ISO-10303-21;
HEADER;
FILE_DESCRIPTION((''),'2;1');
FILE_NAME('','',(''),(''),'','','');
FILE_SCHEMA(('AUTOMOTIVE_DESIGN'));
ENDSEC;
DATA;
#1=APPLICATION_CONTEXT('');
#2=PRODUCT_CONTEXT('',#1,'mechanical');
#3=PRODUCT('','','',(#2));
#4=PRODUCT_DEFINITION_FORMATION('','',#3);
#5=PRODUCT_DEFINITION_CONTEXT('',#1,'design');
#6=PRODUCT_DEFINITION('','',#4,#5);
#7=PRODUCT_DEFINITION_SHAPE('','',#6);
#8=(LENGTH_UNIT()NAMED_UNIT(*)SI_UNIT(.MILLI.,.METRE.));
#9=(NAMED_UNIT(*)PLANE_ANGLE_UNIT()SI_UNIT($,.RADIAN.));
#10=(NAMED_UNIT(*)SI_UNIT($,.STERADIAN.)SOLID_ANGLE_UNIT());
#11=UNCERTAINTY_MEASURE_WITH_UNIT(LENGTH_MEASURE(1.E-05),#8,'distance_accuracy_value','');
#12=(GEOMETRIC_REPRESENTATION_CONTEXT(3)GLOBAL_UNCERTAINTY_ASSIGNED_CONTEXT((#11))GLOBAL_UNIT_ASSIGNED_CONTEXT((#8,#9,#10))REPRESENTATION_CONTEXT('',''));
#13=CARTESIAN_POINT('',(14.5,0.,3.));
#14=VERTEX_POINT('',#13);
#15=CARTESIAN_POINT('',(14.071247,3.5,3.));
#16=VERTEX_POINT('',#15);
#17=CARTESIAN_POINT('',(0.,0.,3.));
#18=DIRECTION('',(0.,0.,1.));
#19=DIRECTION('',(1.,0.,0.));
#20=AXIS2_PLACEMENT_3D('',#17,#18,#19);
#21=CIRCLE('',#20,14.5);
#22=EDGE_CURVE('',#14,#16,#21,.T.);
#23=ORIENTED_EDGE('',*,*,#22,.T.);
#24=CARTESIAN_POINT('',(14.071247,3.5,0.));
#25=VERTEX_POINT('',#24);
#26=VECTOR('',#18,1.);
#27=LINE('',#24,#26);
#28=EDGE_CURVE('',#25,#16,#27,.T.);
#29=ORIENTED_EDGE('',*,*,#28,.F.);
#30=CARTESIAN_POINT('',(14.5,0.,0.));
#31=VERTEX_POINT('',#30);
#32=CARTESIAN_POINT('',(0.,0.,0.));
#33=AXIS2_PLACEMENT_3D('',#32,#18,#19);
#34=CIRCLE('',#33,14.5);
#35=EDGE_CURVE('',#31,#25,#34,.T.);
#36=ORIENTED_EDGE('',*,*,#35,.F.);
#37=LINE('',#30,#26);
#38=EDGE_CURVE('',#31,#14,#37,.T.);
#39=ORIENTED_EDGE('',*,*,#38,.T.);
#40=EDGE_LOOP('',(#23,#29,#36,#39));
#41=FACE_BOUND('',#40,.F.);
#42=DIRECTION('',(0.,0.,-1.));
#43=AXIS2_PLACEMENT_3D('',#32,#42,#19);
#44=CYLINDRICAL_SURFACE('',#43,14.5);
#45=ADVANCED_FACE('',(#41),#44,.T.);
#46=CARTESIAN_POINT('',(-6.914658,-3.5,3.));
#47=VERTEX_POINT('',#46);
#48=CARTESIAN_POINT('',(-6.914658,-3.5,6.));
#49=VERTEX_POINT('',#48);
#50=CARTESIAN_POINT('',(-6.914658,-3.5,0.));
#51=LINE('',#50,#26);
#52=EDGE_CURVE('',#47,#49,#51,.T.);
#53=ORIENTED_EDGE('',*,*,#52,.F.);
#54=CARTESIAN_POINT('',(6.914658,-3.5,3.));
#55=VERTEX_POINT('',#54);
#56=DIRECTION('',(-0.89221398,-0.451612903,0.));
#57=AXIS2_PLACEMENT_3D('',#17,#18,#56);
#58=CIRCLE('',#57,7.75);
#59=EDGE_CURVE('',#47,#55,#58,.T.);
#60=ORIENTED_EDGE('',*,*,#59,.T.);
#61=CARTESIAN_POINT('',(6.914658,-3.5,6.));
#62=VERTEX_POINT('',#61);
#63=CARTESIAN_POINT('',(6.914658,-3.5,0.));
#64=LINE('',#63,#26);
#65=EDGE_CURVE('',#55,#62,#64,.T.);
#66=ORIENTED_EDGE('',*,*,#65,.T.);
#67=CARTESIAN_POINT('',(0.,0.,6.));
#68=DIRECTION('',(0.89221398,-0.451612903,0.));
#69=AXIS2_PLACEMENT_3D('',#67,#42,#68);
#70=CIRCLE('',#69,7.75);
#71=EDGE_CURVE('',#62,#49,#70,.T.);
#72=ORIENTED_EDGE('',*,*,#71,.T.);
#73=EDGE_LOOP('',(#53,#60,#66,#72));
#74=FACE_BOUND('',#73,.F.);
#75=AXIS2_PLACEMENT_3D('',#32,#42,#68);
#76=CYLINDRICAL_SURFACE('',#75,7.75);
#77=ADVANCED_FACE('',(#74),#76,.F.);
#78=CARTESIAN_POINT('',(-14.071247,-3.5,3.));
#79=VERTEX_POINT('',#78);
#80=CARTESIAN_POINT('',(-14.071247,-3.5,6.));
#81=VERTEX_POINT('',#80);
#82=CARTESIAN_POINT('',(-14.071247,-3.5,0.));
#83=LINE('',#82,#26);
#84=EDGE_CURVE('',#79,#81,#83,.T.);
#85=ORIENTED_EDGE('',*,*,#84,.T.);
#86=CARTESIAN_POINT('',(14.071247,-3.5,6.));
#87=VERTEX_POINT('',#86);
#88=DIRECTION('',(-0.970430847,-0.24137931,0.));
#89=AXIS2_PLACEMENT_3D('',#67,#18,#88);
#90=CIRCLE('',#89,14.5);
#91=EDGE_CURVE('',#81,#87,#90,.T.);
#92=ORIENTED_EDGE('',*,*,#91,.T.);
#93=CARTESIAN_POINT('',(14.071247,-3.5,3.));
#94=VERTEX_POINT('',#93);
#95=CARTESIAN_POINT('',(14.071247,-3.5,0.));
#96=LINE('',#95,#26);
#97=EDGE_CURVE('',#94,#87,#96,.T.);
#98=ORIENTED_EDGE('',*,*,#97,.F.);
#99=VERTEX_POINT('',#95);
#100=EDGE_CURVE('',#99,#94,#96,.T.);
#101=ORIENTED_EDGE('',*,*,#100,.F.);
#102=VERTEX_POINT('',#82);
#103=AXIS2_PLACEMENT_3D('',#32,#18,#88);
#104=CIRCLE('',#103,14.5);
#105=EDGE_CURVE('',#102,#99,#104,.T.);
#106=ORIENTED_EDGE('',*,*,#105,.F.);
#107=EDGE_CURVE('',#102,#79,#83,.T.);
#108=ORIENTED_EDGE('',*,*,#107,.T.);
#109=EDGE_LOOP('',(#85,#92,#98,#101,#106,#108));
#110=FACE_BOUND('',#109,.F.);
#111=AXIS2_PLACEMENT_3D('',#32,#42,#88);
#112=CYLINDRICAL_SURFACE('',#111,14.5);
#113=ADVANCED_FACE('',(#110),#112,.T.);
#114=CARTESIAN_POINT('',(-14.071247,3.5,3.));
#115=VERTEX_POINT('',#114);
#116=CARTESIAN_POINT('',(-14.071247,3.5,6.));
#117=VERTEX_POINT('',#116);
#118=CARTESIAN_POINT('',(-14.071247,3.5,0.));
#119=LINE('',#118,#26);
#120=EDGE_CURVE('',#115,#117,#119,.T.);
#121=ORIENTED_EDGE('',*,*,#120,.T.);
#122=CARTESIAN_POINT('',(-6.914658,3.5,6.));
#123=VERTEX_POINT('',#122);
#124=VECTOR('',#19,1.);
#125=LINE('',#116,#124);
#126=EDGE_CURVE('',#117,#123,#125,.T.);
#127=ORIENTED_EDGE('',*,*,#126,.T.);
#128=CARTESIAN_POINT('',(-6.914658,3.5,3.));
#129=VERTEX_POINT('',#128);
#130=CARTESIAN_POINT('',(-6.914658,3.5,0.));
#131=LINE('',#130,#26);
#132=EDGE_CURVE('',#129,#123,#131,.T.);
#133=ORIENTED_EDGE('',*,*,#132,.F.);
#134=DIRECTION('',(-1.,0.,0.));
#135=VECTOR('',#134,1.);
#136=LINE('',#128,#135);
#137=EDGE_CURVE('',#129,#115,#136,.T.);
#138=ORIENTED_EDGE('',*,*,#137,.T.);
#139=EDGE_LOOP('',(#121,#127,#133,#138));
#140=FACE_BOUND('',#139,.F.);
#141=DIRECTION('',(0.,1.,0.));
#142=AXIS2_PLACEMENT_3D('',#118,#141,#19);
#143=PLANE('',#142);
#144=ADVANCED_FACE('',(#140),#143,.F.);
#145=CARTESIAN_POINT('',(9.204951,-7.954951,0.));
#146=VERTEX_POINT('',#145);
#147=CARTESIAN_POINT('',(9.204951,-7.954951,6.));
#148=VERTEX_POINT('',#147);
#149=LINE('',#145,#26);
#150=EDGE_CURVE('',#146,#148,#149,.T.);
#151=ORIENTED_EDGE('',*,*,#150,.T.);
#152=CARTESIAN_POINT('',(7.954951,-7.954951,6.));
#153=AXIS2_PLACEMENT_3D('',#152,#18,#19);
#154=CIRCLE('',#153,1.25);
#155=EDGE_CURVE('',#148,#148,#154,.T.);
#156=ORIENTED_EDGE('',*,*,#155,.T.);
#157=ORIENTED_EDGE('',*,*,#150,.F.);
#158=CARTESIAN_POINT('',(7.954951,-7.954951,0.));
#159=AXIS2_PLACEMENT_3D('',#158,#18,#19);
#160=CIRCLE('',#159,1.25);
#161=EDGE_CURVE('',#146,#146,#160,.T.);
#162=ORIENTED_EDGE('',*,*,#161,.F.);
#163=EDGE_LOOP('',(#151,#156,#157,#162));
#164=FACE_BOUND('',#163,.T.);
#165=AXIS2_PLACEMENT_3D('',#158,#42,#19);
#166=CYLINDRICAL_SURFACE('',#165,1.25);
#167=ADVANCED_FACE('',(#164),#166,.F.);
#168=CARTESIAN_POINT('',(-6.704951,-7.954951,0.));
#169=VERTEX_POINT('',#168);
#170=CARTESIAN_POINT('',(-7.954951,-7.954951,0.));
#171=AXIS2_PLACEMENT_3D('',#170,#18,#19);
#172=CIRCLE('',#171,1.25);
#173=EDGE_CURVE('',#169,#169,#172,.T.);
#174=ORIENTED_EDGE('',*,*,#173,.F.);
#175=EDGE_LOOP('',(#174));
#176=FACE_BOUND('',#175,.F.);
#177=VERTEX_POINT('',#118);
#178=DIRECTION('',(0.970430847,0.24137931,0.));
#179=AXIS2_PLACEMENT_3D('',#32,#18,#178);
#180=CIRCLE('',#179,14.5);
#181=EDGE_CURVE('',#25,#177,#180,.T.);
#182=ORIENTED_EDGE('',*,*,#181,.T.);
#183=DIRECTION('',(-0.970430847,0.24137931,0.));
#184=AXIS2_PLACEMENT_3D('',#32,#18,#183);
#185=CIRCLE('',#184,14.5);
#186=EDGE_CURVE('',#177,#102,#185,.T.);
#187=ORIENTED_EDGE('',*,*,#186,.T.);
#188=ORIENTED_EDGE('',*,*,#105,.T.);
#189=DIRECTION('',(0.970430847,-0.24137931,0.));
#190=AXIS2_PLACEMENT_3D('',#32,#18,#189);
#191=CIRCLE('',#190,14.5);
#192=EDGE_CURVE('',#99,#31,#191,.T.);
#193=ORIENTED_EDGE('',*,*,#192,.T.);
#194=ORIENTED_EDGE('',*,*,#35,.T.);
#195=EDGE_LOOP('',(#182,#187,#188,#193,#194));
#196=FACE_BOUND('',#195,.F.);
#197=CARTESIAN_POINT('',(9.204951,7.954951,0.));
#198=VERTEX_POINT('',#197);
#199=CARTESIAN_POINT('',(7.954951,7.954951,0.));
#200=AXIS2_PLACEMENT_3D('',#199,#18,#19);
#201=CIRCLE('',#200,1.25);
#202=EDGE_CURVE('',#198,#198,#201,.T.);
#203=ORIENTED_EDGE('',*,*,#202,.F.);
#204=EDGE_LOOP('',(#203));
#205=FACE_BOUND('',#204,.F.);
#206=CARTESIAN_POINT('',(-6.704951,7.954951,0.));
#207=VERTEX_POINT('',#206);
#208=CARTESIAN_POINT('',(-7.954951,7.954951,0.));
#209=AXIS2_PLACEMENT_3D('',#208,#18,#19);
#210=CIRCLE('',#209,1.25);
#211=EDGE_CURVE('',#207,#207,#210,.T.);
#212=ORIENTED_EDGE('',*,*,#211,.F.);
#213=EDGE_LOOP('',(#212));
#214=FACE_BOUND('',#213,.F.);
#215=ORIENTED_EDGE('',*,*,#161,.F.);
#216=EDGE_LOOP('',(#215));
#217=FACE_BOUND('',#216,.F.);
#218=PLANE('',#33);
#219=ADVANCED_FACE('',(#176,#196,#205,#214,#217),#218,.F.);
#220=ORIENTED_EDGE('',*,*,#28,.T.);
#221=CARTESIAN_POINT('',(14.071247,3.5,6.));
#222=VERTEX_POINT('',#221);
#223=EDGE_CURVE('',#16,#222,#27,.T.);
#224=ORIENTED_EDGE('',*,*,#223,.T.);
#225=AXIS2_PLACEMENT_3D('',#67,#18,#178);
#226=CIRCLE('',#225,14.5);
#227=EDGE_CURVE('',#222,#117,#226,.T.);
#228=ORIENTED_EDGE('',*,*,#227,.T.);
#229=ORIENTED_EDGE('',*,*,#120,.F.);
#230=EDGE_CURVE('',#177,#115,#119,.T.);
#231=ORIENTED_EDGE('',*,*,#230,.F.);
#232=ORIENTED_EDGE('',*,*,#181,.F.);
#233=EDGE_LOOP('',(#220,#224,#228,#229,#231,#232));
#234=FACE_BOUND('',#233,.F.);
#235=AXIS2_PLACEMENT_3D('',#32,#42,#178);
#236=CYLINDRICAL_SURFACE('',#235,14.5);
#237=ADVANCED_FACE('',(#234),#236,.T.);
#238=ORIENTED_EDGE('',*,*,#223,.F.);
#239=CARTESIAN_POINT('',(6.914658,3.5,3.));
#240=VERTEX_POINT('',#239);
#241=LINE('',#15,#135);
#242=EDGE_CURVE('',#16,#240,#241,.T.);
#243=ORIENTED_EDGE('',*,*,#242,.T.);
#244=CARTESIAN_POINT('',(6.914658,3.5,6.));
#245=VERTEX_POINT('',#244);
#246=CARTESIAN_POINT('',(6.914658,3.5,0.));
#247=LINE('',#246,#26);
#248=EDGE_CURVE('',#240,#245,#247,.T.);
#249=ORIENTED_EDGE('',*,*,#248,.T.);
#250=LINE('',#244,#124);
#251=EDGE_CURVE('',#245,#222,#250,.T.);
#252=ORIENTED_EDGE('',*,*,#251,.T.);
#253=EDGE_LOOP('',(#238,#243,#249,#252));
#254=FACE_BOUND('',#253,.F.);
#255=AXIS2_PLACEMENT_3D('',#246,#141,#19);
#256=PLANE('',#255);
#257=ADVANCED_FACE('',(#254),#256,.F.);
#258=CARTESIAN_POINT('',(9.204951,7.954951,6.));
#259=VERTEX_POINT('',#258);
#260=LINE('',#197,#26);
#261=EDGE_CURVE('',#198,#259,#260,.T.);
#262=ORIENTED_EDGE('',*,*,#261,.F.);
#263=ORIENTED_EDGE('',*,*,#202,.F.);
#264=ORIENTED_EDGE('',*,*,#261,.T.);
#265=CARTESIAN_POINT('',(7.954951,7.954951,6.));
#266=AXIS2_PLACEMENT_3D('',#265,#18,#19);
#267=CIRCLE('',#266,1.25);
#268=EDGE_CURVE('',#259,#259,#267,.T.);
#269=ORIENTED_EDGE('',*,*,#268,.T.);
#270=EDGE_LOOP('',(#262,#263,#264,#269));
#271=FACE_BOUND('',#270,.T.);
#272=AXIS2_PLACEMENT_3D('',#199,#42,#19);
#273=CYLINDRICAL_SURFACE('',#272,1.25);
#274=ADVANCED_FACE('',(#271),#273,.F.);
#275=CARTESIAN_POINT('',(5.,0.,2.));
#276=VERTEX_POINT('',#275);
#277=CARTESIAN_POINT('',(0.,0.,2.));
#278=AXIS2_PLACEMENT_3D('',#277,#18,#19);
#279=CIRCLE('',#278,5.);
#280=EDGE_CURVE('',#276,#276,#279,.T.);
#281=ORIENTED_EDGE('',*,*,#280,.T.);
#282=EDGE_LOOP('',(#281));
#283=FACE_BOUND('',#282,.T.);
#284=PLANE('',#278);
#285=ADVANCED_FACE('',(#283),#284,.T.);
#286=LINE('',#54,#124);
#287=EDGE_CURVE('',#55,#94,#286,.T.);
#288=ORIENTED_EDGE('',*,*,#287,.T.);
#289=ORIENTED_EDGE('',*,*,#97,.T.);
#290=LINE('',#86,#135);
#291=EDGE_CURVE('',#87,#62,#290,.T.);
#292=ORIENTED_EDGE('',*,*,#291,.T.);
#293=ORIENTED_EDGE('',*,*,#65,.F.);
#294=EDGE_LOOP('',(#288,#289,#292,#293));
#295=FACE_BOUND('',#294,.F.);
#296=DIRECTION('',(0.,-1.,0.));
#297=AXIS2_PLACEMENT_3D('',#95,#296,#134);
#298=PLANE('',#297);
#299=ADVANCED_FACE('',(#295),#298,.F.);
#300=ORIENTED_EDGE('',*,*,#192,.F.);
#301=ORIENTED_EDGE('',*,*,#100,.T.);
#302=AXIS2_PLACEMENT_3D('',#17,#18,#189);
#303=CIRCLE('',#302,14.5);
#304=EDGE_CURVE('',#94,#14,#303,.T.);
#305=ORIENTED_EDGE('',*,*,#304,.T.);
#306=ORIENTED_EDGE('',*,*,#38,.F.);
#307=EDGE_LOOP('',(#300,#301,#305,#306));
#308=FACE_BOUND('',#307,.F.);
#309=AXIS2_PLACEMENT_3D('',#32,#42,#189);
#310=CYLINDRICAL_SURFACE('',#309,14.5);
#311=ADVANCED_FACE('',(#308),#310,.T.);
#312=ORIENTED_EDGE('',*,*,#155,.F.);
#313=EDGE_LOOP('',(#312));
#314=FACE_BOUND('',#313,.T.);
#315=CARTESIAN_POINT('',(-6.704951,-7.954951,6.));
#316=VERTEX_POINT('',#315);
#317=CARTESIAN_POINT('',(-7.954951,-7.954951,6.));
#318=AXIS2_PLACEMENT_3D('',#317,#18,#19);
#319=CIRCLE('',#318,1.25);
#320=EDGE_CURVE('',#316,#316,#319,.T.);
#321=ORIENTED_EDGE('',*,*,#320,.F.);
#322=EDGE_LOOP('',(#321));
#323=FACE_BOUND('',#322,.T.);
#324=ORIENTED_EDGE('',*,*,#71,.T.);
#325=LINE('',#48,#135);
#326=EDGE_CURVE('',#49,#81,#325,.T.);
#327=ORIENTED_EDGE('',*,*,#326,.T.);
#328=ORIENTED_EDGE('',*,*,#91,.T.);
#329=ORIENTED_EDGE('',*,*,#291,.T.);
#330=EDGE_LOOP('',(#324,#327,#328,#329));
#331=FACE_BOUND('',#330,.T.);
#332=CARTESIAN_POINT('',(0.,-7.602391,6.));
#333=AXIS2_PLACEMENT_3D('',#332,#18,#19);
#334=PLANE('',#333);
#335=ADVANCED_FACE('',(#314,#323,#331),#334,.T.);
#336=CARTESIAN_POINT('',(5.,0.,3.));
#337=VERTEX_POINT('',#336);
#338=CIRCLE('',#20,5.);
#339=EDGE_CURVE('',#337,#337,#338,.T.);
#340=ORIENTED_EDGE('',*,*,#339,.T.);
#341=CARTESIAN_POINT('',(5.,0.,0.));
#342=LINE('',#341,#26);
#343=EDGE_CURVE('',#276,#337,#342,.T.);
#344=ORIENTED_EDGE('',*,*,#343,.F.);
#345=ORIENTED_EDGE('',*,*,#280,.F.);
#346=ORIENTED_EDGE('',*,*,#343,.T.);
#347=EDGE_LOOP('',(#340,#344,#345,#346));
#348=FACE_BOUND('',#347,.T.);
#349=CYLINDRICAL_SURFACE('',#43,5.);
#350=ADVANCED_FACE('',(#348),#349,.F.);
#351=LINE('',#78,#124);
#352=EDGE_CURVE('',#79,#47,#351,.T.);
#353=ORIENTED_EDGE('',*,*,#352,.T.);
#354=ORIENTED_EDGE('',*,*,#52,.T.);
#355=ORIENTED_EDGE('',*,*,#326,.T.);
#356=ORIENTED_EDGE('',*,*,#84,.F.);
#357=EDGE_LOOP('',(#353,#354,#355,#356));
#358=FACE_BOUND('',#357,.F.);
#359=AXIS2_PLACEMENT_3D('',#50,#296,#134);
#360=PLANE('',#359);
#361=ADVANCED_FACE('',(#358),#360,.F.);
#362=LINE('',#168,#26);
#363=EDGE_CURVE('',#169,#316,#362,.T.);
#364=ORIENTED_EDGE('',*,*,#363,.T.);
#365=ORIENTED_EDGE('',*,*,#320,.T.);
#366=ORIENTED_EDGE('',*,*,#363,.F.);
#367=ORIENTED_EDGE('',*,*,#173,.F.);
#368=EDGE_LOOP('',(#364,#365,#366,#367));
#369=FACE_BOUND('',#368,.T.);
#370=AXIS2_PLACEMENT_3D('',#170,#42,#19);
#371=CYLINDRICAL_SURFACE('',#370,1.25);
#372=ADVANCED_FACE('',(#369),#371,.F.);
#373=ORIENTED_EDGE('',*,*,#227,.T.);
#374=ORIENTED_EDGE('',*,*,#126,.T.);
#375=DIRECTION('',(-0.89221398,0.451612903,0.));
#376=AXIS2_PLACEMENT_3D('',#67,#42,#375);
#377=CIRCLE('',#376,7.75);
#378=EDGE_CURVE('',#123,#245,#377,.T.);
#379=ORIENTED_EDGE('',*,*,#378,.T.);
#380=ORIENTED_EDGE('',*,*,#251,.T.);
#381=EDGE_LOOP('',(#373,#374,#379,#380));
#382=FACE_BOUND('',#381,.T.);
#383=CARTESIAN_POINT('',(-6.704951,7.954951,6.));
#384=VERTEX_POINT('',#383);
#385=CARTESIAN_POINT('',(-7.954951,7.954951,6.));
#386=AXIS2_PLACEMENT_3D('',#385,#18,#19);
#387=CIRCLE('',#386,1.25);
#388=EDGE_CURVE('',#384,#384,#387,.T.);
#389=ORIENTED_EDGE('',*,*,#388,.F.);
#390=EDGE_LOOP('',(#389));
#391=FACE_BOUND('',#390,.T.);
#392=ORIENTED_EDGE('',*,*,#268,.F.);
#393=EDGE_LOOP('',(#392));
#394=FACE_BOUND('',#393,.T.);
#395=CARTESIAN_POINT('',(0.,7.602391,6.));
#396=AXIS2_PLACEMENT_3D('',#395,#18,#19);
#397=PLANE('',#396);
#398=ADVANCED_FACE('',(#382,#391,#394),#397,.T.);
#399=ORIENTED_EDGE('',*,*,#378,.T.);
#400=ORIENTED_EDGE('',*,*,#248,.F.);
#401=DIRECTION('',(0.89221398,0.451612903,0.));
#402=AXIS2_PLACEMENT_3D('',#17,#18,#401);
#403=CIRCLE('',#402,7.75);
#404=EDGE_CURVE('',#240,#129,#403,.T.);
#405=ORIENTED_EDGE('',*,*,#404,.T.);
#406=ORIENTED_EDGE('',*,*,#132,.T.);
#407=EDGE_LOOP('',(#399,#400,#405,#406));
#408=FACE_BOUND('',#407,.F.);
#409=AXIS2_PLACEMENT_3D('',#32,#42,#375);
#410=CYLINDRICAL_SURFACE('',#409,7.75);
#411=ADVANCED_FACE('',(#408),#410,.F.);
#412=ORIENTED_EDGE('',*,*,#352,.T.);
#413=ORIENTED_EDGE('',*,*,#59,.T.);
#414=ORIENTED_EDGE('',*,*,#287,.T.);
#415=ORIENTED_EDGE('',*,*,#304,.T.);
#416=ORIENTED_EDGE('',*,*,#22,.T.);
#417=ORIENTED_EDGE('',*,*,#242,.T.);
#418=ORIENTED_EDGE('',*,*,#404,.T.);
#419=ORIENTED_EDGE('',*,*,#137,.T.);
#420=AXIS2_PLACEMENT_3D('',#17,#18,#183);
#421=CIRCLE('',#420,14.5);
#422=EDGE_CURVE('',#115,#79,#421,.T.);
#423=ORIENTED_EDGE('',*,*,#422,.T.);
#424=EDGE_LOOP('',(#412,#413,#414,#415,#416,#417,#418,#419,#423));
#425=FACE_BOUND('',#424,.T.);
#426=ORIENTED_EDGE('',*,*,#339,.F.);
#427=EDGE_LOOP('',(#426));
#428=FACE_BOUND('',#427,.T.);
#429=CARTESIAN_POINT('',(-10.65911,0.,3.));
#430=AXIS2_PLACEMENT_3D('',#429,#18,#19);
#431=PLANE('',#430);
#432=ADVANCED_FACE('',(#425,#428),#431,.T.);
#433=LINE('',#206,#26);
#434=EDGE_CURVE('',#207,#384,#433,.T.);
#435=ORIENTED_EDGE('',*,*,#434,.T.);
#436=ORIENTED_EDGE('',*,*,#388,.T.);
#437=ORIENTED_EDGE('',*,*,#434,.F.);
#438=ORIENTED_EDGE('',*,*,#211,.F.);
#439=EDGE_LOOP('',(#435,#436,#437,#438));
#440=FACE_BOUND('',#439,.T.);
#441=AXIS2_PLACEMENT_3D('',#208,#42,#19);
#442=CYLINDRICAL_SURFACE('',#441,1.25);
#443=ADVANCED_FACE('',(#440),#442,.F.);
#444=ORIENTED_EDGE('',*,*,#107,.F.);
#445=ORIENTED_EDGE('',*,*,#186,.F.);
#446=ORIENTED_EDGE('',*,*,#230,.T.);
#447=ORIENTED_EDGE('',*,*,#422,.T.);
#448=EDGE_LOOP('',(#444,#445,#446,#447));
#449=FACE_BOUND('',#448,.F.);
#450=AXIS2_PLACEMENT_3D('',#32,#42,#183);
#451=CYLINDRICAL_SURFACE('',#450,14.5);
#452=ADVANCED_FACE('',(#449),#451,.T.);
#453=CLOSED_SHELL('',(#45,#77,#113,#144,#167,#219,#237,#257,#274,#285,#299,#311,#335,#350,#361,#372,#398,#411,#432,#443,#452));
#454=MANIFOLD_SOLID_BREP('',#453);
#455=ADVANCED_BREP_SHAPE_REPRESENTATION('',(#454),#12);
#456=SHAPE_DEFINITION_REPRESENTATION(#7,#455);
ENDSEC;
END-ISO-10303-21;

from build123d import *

# Parameters (mm, degrees)
F0_R     = 5
F2_DEPTH = 3
F0_R_2   = 1.25
F3_DEPTH = 6
F4_DEPTH = 2


with BuildPart() as f2:
    # F0 (on Top) → F2 (new body)
    with BuildSketch(Plane.XY):
        with BuildLine():
            Line((-6.914658343, 3.5), (-14.0712472795, 3.5))
            ThreePointArc((-14.0712472795, 3.5), (-14.5, 0), (-14.0712472795, -3.5))
            Line((-14.0712472795, -3.5), (-6.914658343, -3.5))
            ThreePointArc((-6.914658343, -3.5), (-7.75, 0), (-6.914658343, 3.5))
        make_face()
        with BuildLine():
            ThreePointArc((7.75, 0), (7.5382724201, 1.7991522784), (6.914658343, 3.5))
            ThreePointArc((6.914658343, 3.5), (0, 7.75), (-6.914658343, 3.5))
            ThreePointArc((-6.914658343, 3.5), (-7.75, 0), (-6.914658343, -3.5))
            ThreePointArc((-6.914658343, -3.5), (0, -7.75), (6.914658343, -3.5))
            ThreePointArc((6.914658343, -3.5), (7.5382724201, -1.7991522784), (7.75, 0))
        make_face()
        Circle(F0_R, mode=Mode.SUBTRACT)
        with BuildLine():
            ThreePointArc((14.0712472795, -3.5), (14.3924126809, -1.7630817405), (14.5, 0))
            ThreePointArc((14.5, 0), (14.3924126809, 1.7630817405), (14.0712472795, 3.5))
            Line((14.0712472795, 3.5), (6.914658343, 3.5))
            ThreePointArc((6.914658343, 3.5), (7.5382724201, 1.7991522784), (7.75, 0))
            ThreePointArc((7.75, 0), (7.5382724201, -1.7991522784), (6.914658343, -3.5))
            Line((6.914658343, -3.5), (14.0712472795, -3.5))
        make_face()
    extrude(amount=F2_DEPTH)

    # F0 (on Top) → F3 (join)
    with BuildSketch(Plane.XY):
        with BuildLine():
            Line((6.914658343, 3.5), (14.0712472795, 3.5))
            ThreePointArc((14.0712472795, 3.5), (0, 14.5), (-14.0712472795, 3.5))
            Line((-14.0712472795, 3.5), (-6.914658343, 3.5))
            ThreePointArc((-6.914658343, 3.5), (0, 7.75), (6.914658343, 3.5))
        make_face()
        with Locations((-7.9549512883, 7.9549512883)):
            Circle(F0_R_2, mode=Mode.SUBTRACT)
        with Locations((7.9549512883, 7.9549512883)):
            Circle(F0_R_2, mode=Mode.SUBTRACT)
        with BuildLine():
            ThreePointArc((-14.0712472795, -3.5), (0, -14.5), (14.0712472795, -3.5))
            Line((14.0712472795, -3.5), (6.914658343, -3.5))
            ThreePointArc((6.914658343, -3.5), (0, -7.75), (-6.914658343, -3.5))
            Line((-6.914658343, -3.5), (-14.0712472795, -3.5))
        make_face()
        with Locations((-7.9549512883, -7.9549512883)):
            Circle(F0_R_2, mode=Mode.SUBTRACT)
        with Locations((7.9549512883, -7.9549512883)):
            Circle(F0_R_2, mode=Mode.SUBTRACT)
    extrude(amount=F3_DEPTH)

    # F0 (on Top) → F4 (join)
    with BuildSketch(Plane.XY):
        Circle(F0_R)
    extrude(amount=F4_DEPTH)


solid = f2.part
